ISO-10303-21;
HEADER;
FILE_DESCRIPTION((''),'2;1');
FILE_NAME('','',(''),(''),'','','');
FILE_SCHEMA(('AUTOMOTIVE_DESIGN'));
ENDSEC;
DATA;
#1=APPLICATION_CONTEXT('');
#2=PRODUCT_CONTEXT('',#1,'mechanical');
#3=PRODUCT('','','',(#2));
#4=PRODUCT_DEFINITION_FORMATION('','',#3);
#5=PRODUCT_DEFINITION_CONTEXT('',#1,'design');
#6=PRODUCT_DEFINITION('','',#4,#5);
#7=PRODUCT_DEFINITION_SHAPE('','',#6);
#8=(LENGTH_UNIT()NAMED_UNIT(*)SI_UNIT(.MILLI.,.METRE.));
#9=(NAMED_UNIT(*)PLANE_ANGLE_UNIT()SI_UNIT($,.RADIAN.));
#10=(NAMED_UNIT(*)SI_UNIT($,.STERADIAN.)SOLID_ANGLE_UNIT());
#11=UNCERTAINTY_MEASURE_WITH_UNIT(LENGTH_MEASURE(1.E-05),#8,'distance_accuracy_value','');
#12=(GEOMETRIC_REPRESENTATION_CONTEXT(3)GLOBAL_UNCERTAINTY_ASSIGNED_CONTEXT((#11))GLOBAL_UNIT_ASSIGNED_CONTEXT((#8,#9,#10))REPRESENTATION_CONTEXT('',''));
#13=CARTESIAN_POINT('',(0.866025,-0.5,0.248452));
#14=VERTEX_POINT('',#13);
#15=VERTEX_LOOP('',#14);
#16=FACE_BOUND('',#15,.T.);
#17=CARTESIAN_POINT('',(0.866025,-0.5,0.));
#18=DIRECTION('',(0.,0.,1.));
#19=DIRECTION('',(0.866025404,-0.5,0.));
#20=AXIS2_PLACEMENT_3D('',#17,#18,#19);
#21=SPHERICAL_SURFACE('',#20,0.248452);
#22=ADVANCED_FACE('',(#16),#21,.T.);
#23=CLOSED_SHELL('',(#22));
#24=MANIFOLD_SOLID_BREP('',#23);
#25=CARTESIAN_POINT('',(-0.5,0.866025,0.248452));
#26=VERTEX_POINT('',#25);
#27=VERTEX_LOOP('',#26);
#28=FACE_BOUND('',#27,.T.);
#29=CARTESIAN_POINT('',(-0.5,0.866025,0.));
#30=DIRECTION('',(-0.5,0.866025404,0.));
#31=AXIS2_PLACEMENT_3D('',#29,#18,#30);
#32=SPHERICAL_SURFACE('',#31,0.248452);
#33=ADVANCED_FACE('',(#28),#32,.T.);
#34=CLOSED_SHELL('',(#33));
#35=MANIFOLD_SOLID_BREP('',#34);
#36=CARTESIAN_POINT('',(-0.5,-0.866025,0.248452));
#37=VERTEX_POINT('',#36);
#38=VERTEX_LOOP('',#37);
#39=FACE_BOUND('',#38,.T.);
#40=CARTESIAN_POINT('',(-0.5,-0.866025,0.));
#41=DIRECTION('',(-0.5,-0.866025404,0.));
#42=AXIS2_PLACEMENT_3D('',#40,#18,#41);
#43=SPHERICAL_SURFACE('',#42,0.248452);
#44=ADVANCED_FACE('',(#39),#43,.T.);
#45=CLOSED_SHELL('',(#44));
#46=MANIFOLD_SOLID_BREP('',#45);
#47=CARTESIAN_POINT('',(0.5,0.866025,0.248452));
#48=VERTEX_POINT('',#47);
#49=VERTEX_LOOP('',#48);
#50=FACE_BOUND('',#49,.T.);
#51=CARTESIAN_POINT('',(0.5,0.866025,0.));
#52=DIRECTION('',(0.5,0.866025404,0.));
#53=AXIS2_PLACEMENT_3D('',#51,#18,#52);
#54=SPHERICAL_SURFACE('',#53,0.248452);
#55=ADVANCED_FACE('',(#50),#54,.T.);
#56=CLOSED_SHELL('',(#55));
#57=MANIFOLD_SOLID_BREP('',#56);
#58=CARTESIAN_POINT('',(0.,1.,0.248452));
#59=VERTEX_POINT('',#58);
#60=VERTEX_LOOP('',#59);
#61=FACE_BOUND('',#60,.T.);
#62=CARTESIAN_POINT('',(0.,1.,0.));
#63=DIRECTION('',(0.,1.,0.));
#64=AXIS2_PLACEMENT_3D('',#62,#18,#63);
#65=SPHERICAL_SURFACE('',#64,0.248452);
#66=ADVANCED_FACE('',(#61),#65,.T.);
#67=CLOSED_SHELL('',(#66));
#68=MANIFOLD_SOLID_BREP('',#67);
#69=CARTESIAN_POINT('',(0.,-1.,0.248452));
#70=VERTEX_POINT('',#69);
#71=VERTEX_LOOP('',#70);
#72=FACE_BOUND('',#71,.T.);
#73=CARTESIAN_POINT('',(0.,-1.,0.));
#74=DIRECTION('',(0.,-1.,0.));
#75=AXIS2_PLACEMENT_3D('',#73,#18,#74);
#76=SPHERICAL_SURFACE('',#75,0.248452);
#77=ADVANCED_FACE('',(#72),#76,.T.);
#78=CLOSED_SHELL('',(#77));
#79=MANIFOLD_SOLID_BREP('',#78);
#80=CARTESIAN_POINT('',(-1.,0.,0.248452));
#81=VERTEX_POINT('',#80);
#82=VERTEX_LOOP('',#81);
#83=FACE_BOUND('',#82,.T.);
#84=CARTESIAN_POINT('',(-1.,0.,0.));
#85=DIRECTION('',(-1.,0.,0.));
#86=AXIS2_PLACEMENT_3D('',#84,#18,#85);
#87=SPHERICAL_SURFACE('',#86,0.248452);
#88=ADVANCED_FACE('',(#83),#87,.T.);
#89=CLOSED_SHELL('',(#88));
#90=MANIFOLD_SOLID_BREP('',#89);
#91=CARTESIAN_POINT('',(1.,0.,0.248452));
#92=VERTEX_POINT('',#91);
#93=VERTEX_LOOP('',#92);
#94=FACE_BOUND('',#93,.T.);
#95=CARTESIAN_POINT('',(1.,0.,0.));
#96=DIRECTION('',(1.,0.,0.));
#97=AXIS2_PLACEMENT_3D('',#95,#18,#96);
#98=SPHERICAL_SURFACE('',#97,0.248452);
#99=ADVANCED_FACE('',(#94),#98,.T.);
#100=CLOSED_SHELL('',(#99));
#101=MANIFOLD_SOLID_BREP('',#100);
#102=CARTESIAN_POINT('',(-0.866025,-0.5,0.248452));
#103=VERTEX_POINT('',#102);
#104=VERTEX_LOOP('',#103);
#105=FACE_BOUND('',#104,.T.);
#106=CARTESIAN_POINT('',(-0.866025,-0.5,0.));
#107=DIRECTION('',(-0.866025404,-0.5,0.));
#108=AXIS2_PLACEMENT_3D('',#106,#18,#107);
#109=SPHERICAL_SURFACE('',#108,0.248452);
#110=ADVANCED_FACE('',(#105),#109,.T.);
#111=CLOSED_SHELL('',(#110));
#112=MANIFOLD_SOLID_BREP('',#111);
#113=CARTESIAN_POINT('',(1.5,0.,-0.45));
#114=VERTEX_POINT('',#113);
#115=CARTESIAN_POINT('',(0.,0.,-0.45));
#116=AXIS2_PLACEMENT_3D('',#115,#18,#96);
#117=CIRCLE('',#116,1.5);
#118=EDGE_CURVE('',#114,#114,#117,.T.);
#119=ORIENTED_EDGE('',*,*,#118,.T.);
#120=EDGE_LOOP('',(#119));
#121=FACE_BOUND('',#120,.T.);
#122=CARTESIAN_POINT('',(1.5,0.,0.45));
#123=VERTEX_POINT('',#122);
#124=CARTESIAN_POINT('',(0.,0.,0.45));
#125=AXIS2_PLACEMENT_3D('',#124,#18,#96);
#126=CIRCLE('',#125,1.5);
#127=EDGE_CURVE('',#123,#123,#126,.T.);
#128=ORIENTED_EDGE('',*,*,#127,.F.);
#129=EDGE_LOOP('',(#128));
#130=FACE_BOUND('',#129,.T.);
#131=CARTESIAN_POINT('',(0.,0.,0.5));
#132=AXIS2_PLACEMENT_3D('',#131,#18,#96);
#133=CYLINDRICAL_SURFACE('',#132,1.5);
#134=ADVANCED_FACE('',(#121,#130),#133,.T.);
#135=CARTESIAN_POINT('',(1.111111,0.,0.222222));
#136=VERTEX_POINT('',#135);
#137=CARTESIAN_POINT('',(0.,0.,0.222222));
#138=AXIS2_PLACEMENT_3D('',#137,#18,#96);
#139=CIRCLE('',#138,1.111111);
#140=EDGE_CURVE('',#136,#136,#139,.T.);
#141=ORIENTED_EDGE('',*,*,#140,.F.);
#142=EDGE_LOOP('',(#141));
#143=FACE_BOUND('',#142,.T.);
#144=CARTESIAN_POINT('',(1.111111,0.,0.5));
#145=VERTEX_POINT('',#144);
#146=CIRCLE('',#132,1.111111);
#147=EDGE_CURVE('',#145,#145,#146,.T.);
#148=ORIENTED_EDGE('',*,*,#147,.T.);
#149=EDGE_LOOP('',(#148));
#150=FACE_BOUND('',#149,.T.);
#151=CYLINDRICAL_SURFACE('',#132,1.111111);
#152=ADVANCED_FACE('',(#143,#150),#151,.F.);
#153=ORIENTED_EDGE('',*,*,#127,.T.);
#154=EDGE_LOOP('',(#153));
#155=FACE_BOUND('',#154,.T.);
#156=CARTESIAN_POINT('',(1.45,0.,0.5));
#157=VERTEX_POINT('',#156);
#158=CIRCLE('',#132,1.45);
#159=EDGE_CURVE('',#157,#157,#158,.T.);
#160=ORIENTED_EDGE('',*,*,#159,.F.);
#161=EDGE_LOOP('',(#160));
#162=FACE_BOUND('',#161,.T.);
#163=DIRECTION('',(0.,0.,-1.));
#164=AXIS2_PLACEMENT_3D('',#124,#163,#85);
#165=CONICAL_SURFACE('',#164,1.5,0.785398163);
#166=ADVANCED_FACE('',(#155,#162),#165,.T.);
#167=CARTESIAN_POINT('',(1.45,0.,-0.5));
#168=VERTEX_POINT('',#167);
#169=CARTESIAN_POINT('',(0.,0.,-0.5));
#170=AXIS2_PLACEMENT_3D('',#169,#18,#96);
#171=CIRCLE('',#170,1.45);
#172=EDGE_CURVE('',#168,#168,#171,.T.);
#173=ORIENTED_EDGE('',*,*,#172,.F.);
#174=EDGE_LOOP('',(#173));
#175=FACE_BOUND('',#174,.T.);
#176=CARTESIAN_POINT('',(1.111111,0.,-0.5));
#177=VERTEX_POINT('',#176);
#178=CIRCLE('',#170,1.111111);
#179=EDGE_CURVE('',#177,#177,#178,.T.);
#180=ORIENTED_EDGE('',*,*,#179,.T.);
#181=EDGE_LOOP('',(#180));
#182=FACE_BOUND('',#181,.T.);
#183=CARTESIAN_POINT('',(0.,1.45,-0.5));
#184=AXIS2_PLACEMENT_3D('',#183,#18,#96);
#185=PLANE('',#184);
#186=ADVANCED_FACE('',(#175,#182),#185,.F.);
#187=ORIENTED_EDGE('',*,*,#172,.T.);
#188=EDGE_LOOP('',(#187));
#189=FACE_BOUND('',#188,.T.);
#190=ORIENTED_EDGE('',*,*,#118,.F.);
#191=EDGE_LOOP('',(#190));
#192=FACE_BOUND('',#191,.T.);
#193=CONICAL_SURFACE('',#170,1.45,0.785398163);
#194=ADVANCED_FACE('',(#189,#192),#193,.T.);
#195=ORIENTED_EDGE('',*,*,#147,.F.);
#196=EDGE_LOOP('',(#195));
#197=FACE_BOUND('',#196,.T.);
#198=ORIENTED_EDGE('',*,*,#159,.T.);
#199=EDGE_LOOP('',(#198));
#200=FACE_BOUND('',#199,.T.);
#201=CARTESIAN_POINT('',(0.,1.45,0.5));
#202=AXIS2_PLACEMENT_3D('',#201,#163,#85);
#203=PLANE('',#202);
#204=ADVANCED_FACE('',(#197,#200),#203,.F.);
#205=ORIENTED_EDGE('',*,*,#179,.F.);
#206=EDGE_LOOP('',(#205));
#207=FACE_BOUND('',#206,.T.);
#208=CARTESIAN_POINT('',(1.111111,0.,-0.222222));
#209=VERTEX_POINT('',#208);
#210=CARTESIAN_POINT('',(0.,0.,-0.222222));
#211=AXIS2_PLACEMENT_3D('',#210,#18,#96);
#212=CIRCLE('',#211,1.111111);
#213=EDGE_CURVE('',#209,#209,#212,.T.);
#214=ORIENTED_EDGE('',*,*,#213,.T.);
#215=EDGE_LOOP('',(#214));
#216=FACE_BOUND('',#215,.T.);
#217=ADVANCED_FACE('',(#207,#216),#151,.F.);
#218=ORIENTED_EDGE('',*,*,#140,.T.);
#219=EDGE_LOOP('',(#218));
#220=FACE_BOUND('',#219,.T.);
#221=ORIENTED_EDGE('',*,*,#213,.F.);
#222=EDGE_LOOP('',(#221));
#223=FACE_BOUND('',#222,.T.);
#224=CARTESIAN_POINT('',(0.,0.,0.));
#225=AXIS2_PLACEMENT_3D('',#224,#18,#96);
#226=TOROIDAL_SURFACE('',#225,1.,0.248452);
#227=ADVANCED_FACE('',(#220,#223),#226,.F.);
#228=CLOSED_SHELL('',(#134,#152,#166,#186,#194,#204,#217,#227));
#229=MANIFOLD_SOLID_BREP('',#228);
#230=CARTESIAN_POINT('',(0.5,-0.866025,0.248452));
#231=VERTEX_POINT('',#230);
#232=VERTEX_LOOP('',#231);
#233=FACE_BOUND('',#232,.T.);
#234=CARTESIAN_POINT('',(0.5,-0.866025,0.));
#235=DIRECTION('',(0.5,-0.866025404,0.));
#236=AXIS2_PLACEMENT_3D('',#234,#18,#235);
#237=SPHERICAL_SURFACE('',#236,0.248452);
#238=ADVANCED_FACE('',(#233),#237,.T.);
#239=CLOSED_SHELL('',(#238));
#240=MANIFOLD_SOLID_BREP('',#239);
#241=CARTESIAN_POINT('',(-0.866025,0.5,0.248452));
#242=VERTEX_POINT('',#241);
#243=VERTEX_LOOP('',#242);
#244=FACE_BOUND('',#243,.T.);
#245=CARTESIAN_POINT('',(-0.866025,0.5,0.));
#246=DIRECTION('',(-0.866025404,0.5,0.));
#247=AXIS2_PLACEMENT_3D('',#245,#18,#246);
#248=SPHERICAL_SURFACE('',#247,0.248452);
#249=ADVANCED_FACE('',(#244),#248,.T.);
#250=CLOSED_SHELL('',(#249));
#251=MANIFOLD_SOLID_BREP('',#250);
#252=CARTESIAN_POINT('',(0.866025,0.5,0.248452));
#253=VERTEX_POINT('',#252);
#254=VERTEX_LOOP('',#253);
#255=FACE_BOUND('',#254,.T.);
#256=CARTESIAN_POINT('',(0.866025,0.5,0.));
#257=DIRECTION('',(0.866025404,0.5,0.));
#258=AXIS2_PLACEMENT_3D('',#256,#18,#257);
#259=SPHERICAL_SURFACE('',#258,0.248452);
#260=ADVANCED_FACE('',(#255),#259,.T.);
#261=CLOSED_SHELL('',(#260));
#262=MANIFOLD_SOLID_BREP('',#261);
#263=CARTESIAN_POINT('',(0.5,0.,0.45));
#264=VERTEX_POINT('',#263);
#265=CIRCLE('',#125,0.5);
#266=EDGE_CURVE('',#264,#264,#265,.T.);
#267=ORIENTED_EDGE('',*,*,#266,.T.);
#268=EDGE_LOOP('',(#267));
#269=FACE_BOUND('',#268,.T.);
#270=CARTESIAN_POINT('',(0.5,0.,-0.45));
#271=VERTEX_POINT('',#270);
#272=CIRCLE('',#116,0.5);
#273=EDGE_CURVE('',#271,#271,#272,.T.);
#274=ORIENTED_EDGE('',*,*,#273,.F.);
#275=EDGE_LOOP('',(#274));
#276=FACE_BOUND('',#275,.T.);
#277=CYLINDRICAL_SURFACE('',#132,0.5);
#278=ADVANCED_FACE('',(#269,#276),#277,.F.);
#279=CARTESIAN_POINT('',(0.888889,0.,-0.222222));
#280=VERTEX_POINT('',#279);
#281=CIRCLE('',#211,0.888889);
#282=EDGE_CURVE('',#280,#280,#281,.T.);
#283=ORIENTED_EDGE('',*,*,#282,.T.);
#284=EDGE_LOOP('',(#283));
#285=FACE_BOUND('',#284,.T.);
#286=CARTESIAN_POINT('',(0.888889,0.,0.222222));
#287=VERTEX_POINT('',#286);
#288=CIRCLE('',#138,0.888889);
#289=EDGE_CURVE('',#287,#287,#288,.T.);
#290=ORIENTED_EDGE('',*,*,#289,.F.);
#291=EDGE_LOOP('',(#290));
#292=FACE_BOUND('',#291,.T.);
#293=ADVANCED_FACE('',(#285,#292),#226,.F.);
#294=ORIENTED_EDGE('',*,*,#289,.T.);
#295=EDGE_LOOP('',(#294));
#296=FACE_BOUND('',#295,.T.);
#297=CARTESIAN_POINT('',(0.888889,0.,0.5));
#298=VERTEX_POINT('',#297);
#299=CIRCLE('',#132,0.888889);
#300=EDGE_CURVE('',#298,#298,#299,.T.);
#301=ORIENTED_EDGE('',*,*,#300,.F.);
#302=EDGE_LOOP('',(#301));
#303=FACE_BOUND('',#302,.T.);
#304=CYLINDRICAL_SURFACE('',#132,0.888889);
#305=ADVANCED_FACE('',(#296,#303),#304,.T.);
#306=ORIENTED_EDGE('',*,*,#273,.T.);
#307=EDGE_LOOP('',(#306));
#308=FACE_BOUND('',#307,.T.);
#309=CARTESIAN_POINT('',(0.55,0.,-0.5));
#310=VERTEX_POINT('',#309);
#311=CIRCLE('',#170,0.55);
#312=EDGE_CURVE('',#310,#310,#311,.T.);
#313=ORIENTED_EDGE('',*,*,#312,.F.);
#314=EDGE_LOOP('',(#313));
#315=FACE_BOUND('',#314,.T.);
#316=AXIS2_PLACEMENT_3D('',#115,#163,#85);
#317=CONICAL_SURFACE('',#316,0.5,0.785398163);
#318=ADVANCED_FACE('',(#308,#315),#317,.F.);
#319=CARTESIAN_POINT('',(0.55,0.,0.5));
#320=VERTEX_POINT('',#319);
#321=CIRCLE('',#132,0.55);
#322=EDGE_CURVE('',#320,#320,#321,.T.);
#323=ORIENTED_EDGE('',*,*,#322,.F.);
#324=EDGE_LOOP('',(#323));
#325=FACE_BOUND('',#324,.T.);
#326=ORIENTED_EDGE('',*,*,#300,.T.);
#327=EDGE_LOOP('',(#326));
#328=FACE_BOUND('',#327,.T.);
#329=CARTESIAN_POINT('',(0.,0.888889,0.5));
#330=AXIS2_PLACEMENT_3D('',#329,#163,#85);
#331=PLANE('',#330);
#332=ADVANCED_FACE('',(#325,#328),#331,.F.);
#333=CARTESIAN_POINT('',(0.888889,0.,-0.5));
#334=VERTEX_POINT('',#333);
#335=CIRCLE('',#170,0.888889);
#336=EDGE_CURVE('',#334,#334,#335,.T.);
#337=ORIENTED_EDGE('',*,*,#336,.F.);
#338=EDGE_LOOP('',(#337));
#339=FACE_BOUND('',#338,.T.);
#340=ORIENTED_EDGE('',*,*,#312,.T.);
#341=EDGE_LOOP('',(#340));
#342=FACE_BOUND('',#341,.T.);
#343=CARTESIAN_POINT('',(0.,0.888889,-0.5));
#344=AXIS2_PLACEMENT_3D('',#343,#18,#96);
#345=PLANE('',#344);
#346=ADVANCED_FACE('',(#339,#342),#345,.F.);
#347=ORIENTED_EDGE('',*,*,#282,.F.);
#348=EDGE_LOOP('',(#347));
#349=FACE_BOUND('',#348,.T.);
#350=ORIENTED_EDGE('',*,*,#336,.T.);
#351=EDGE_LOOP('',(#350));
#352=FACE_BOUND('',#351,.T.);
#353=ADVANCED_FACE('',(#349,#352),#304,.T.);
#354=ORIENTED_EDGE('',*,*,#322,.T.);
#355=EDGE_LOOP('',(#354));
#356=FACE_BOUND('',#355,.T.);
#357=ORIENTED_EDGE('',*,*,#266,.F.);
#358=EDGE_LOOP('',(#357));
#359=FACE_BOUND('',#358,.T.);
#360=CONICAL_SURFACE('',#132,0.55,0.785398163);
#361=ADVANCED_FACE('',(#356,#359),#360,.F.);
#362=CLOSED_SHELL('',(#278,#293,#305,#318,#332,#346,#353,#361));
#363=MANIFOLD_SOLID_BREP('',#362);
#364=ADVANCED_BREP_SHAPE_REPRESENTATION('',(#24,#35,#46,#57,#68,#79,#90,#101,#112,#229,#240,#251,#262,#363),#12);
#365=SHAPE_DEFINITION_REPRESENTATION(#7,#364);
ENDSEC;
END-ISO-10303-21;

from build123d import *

# Parameters (mm, degrees)
CIRPATTERN1_COUNT = 12


with BuildPart() as part:
    # Sketch1 → Revolve1 (revolve)
    with BuildSketch(Plane(origin=(0, 0, 0), x_dir=(0, 0, -1), z_dir=(1, 0, 0))):
        with BuildLine():
            Line((0.45, 1.5), (-0.45, 1.5))
            Line((-0.45, 1.5), (-0.5, 1.45))
            Line((-0.5, 1.45), (-0.5, 1.111111111))
            Line((-0.5, 1.111111111), (-0.222222222, 1.111111111))
            ThreePointArc((-0.222222222, 1.111111111), (0, 1.248451997), (0.222222222, 1.111111111))
            Line((0.222222222, 1.111111111), (0.5, 1.111111111))
            Line((0.5, 1.111111111), (0.5, 1.45))
            Line((0.5, 1.45), (0.45, 1.5))
        make_face()
    revolve(axis=Axis((0, 0, 0.5), (0, 0, -1)))


with BuildPart() as body_2:
    # Sketch2 → Revolve2 (revolve)
    with BuildSketch(Plane(origin=(0, 0, 0), x_dir=(0, 0, -1), z_dir=(1, 0, 0))):
        with BuildLine():
            Line((-0.5, 0.888888889), (-0.222222222, 0.888888889))
            ThreePointArc((-0.222222222, 0.888888889), (0, 0.751548003), (0.222222222, 0.888888889))
            Line((0.222222222, 0.888888889), (0.5, 0.888888889))
            Line((0.5, 0.888888889), (0.5, 0.55))
            Line((0.5, 0.55), (0.45, 0.5))
            Line((0.45, 0.5), (-0.45, 0.5))
            Line((-0.45, 0.5), (-0.5, 0.55))
            Line((-0.5, 0.55), (-0.5, 0.888888889))
        make_face()
    revolve(axis=Axis((0, 0, 0.5), (0, 0, -1)))


with BuildPart() as body_3:
    # Sketch3 → Revolve3 (revolve)
    with BuildSketch(Plane(origin=(0, 0, 0), x_dir=(0, 0, -1), z_dir=(1, 0, 0))):
        with BuildLine():
            Line((-0.248451997, 1), (0.248451997, 1))
            ThreePointArc((0.248451997, 1), (0, 1.248451997), (-0.248451997, 1))
        make_face()
    revolve(axis=Axis((0, 1, 0.248451997), (0, 0, -1)))


with BuildPart() as cirpattern1_1:
    # CirPattern1: pattern copy
    add(body_3.part.rotate(Axis((0, 0, -0.5), (0, 0, 1)), 1 * 360 / CIRPATTERN1_COUNT))


with BuildPart() as cirpattern1_2:
    # CirPattern1: pattern copy
    add(body_3.part.rotate(Axis((0, 0, -0.5), (0, 0, 1)), 2 * 360 / CIRPATTERN1_COUNT))


with BuildPart() as cirpattern1_3:
    # CirPattern1: pattern copy
    add(body_3.part.rotate(Axis((0, 0, -0.5), (0, 0, 1)), 3 * 360 / CIRPATTERN1_COUNT))


with BuildPart() as cirpattern1_4:
    # CirPattern1: pattern copy
    add(body_3.part.rotate(Axis((0, 0, -0.5), (0, 0, 1)), 4 * 360 / CIRPATTERN1_COUNT))


with BuildPart() as cirpattern1_5:
    # CirPattern1: pattern copy
    add(body_3.part.rotate(Axis((0, 0, -0.5), (0, 0, 1)), 5 * 360 / CIRPATTERN1_COUNT))


with BuildPart() as cirpattern1_6:
    # CirPattern1: pattern copy
    add(body_3.part.rotate(Axis((0, 0, -0.5), (0, 0, 1)), 6 * 360 / CIRPATTERN1_COUNT))


with BuildPart() as cirpattern1_7:
    # CirPattern1: pattern copy
    add(body_3.part.rotate(Axis((0, 0, -0.5), (0, 0, 1)), 7 * 360 / CIRPATTERN1_COUNT))


with BuildPart() as cirpattern1_8:
    # CirPattern1: pattern copy
    add(body_3.part.rotate(Axis((0, 0, -0.5), (0, 0, 1)), 8 * 360 / CIRPATTERN1_COUNT))


with BuildPart() as cirpattern1_9:
    # CirPattern1: pattern copy
    add(body_3.part.rotate(Axis((0, 0, -0.5), (0, 0, 1)), 9 * 360 / CIRPATTERN1_COUNT))


with BuildPart() as cirpattern1_10:
    # CirPattern1: pattern copy
    add(body_3.part.rotate(Axis((0, 0, -0.5), (0, 0, 1)), 10 * 360 / CIRPATTERN1_COUNT))


with BuildPart() as cirpattern1_11:
    # CirPattern1: pattern copy
    add(body_3.part.rotate(Axis((0, 0, -0.5), (0, 0, 1)), 11 * 360 / CIRPATTERN1_COUNT))


solid = Compound([part.part, body_2.part, body_3.part, cirpattern1_1.part, cirpattern1_2.part, cirpattern1_3.part, cirpattern1_4.part, cirpattern1_5.part, cirpattern1_6.part, cirpattern1_7.part, cirpattern1_8.part, cirpattern1_9.part, cirpattern1_10.part, cirpattern1_11.part])
